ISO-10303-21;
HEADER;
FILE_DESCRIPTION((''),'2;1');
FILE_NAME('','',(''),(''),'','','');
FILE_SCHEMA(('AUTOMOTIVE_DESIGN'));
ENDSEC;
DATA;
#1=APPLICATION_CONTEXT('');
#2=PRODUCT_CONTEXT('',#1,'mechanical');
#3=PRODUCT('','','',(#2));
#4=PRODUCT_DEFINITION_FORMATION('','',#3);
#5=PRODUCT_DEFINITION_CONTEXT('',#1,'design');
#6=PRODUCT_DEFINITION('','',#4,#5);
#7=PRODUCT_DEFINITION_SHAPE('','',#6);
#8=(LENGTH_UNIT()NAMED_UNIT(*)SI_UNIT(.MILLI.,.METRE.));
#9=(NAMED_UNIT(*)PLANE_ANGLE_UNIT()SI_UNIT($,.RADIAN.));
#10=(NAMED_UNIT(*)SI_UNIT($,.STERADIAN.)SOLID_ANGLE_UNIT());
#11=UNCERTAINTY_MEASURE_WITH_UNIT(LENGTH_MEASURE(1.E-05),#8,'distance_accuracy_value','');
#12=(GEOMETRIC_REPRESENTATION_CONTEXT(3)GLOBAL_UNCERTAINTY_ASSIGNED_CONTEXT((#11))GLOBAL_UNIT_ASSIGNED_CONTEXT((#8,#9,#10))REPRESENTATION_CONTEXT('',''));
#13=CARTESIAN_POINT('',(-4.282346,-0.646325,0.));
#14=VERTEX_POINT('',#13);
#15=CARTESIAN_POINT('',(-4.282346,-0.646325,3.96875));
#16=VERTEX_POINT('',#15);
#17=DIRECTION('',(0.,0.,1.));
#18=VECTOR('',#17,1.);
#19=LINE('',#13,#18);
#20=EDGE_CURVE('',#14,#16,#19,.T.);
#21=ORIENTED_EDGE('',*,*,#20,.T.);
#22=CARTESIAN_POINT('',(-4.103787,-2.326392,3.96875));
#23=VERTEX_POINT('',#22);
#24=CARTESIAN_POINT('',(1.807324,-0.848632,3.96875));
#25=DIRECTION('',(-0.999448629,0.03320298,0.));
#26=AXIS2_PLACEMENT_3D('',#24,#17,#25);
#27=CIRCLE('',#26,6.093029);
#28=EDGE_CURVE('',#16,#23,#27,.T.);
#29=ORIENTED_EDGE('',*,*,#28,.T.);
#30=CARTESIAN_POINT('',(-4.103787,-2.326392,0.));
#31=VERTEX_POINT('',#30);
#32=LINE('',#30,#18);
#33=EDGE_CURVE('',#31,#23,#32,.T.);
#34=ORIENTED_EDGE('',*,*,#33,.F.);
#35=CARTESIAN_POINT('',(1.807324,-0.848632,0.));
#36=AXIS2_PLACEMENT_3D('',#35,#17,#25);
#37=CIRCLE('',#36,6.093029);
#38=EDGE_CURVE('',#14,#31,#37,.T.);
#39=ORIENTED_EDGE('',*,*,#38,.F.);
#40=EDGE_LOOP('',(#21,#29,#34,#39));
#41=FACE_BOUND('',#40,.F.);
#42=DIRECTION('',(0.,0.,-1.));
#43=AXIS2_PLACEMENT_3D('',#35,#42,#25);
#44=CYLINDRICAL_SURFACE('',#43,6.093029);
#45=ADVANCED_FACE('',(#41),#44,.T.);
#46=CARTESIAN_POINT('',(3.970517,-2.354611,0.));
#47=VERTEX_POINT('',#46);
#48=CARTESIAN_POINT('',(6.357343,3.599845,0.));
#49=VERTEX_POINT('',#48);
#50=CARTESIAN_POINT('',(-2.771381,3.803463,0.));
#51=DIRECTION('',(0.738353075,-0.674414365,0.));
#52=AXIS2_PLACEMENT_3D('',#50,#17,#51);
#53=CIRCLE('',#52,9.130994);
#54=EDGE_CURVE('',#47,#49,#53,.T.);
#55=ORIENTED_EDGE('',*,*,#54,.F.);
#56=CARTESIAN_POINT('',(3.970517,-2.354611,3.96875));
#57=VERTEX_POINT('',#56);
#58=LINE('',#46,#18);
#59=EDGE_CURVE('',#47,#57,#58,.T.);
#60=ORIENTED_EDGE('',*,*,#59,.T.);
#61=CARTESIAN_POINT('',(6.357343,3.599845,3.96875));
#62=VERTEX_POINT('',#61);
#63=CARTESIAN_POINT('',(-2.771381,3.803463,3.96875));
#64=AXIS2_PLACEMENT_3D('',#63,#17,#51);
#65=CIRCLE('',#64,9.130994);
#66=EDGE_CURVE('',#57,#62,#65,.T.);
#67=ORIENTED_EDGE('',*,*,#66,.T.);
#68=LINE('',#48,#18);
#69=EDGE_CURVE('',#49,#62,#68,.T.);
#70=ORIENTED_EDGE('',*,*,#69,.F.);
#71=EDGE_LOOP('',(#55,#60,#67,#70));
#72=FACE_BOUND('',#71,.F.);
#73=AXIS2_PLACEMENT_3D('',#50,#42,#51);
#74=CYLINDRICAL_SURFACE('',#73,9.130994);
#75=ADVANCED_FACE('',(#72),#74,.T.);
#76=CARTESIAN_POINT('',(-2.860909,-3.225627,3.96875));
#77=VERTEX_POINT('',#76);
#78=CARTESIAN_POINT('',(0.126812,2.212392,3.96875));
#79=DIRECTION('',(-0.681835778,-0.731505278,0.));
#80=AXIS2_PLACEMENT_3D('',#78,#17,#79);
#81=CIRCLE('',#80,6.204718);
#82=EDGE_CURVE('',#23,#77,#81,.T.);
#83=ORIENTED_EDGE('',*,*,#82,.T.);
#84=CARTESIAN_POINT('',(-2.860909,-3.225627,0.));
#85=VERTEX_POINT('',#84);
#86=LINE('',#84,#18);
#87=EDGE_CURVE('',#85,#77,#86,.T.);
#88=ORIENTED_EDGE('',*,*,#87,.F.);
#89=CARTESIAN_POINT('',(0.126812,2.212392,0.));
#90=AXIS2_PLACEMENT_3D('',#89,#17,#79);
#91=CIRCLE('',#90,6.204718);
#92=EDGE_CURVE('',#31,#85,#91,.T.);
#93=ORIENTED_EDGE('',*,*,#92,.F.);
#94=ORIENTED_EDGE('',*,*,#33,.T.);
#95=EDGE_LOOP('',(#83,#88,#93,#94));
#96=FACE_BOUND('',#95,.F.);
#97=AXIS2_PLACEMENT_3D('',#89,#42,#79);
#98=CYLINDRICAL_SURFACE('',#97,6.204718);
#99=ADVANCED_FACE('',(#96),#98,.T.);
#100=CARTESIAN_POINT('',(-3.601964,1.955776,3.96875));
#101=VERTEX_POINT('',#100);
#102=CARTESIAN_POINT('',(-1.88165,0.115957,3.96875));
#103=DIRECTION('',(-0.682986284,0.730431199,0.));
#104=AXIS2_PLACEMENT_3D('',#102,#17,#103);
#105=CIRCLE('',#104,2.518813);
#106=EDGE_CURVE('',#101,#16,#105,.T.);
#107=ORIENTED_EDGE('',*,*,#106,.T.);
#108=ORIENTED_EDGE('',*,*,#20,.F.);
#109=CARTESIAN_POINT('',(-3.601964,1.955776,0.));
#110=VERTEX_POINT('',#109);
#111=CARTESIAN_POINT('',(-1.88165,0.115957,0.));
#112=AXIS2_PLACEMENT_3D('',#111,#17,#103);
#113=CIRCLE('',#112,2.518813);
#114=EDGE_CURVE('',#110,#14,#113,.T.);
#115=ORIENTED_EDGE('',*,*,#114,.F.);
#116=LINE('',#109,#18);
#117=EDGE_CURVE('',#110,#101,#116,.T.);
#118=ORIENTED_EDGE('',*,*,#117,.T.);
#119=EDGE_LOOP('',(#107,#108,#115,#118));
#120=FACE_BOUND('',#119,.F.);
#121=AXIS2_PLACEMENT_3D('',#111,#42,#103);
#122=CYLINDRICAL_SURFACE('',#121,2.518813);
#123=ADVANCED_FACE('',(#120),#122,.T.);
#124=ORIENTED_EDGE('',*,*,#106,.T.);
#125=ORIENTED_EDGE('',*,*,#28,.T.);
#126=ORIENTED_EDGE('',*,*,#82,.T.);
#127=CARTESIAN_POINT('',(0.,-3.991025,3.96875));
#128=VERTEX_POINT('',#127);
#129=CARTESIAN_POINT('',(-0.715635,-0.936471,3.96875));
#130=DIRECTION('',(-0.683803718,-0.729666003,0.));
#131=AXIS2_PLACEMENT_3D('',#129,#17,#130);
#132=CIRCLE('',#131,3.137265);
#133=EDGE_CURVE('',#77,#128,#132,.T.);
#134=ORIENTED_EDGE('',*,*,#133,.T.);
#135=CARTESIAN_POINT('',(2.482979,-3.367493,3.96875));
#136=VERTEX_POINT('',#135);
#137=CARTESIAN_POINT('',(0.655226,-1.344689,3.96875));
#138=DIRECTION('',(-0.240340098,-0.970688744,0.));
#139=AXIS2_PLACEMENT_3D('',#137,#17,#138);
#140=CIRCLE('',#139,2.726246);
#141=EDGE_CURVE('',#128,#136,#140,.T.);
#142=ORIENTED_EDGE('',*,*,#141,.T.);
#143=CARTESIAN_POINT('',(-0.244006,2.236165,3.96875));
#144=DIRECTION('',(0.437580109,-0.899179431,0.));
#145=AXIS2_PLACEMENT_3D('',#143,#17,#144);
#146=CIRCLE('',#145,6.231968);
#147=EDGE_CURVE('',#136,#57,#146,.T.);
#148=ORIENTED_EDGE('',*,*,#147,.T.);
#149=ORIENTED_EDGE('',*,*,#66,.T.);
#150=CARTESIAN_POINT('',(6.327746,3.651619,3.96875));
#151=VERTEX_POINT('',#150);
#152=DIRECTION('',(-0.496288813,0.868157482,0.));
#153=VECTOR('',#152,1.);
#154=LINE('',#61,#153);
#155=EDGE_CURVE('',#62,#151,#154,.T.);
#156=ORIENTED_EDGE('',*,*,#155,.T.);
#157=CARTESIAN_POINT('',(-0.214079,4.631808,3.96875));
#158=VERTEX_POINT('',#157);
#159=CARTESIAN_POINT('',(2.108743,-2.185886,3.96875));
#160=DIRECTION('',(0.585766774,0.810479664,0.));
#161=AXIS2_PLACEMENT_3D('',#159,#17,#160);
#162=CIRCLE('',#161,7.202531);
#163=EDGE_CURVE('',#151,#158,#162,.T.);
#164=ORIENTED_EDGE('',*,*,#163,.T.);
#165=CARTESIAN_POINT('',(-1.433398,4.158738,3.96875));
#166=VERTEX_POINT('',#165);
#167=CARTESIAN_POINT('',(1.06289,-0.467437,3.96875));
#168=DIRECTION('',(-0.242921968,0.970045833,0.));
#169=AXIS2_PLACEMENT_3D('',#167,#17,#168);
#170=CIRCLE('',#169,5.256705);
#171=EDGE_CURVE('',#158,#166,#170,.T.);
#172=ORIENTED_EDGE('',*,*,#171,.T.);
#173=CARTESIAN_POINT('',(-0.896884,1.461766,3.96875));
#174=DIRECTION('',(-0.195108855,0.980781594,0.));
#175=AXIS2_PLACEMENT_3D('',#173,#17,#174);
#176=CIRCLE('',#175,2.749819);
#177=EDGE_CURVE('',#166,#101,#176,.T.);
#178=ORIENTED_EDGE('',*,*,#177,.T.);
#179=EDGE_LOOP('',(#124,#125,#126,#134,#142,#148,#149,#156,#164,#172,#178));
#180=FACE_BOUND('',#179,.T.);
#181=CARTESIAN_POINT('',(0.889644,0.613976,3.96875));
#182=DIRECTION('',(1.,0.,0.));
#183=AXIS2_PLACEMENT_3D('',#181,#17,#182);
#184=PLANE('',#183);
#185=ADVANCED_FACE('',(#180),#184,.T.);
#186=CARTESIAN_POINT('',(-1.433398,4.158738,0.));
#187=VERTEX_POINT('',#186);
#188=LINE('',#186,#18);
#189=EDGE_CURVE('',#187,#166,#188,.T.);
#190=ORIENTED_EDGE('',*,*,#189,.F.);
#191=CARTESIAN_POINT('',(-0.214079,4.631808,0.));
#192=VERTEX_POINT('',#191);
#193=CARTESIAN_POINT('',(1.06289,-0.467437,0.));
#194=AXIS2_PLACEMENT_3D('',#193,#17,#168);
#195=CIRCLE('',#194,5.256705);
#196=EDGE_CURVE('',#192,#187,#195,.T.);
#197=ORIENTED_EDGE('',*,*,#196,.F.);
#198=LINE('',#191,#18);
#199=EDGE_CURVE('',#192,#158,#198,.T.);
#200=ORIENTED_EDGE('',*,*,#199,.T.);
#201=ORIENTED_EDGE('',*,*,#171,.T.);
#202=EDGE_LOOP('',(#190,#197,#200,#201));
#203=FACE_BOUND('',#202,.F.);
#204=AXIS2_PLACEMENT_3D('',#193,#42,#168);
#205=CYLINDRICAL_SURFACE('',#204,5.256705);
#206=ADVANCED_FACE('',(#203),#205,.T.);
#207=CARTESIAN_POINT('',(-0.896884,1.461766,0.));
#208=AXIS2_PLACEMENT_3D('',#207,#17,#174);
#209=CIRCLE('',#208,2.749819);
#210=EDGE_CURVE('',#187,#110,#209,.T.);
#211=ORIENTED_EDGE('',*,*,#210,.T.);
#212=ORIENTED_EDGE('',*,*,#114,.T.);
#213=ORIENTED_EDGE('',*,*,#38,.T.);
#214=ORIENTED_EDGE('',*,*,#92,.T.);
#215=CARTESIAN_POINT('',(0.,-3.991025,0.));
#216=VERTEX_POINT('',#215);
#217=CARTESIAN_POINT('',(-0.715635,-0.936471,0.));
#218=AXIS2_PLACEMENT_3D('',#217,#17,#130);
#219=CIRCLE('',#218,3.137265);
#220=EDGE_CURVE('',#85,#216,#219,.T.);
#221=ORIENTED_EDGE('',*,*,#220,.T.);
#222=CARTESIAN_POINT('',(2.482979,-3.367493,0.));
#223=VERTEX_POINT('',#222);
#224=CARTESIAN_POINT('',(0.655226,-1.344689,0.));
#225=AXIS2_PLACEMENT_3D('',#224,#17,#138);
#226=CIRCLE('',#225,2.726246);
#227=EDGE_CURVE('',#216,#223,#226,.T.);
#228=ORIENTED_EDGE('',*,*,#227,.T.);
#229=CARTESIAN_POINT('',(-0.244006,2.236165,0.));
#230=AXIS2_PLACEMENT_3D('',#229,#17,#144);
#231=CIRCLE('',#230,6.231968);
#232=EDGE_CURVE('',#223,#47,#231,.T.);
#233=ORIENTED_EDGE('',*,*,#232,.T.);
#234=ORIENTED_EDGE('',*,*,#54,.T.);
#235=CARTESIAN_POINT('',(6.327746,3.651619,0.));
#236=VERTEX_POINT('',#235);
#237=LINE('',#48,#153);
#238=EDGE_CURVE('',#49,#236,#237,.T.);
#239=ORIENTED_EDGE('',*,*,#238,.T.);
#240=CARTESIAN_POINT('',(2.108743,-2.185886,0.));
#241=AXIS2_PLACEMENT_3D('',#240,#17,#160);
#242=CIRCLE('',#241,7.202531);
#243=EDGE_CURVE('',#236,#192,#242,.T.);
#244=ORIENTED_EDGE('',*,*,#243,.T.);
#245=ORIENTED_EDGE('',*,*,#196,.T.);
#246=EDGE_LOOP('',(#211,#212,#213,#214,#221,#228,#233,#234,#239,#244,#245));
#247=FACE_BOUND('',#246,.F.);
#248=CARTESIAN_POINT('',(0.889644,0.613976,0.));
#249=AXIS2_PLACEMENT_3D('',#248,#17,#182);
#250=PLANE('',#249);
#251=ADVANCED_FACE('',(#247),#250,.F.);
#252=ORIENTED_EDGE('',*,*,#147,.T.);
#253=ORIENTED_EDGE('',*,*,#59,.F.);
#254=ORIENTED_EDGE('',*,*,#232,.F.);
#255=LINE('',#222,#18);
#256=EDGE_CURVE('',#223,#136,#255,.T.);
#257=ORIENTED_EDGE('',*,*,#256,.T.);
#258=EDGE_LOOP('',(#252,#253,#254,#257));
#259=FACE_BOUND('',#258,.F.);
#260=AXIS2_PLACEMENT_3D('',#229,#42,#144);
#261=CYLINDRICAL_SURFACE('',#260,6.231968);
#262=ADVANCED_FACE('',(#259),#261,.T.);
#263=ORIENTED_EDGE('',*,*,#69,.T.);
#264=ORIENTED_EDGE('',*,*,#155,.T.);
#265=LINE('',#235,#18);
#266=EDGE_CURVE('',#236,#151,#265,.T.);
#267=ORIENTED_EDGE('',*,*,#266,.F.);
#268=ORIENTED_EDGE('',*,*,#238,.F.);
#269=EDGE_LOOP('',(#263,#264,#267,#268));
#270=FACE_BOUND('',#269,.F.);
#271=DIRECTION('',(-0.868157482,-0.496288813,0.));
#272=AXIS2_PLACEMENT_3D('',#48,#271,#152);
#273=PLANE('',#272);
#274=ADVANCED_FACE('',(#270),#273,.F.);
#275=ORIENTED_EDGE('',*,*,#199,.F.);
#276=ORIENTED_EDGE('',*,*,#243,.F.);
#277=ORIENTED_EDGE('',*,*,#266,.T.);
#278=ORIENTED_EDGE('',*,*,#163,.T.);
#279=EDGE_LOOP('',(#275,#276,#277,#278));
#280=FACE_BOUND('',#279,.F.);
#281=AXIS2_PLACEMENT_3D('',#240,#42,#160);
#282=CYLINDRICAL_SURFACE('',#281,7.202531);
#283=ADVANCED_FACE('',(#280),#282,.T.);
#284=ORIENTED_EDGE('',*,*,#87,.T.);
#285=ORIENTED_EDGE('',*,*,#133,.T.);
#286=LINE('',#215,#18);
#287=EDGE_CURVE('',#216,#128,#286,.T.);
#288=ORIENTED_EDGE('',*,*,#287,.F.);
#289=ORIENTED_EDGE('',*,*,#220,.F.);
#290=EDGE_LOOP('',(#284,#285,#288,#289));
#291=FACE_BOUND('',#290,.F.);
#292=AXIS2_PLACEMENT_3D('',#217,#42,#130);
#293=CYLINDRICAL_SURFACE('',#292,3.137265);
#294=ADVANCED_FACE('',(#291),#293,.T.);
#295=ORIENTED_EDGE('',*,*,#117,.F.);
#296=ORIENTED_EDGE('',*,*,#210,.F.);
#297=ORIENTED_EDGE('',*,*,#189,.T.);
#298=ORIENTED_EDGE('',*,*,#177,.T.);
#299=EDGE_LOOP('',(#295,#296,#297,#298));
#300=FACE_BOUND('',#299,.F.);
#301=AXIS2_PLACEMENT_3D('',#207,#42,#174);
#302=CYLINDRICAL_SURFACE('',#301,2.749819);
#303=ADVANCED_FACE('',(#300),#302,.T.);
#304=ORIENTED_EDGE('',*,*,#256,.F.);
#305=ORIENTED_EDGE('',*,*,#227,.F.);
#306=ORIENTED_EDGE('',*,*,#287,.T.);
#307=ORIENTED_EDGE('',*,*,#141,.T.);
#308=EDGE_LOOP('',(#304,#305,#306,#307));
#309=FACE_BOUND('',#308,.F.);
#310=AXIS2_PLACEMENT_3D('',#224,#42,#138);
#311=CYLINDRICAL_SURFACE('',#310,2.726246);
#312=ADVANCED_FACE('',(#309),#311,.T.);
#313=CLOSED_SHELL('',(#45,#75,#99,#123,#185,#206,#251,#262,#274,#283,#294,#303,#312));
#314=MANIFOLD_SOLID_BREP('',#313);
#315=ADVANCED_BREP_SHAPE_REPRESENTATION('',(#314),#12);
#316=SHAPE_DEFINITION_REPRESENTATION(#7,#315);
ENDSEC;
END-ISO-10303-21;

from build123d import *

# Parameters (mm, degrees)
F1_DEPTH = 3.96875


with BuildPart() as f1:
    # F0 (on Top) → F1 (new body)
    with BuildSketch(Plane.XY):
        with BuildLine():
            Line((6.357343, 3.599845), (6.327746, 3.651619))
            ThreePointArc((6.327746, 3.651619), (3.176014, 4.937132), (-0.214079, 4.631808))
            ThreePointArc((-0.214079, 4.631808), (-0.838508, 4.433342), (-1.433398, 4.158738))
            ThreePointArc((-1.433398, 4.158738), (-2.856538, 3.390823), (-3.601964, 1.955776))
            ThreePointArc((-3.601964, 1.955776), (-4.318536, 0.753139), (-4.282346, -0.646325))
            ThreePointArc((-4.282346, -0.646325), (-4.251582, -1.492578), (-4.103787, -2.326392))
            ThreePointArc((-4.103787, -2.326392), (-3.510246, -2.814569), (-2.860909, -3.225627))
            ThreePointArc((-2.860909, -3.225627), (-1.526453, -3.967149), (0, -3.991025))
            ThreePointArc((0, -3.991025), (1.319231, -3.988836), (2.482979, -3.367493))
            ThreePointArc((2.482979, -3.367493), (3.263503, -2.91503), (3.970517, -2.354611))
            ThreePointArc((3.970517, -2.354611), (5.704057, 0.406109), (6.357343, 3.599845))
        make_face()
    extrude(amount=F1_DEPTH)


solid = f1.part
